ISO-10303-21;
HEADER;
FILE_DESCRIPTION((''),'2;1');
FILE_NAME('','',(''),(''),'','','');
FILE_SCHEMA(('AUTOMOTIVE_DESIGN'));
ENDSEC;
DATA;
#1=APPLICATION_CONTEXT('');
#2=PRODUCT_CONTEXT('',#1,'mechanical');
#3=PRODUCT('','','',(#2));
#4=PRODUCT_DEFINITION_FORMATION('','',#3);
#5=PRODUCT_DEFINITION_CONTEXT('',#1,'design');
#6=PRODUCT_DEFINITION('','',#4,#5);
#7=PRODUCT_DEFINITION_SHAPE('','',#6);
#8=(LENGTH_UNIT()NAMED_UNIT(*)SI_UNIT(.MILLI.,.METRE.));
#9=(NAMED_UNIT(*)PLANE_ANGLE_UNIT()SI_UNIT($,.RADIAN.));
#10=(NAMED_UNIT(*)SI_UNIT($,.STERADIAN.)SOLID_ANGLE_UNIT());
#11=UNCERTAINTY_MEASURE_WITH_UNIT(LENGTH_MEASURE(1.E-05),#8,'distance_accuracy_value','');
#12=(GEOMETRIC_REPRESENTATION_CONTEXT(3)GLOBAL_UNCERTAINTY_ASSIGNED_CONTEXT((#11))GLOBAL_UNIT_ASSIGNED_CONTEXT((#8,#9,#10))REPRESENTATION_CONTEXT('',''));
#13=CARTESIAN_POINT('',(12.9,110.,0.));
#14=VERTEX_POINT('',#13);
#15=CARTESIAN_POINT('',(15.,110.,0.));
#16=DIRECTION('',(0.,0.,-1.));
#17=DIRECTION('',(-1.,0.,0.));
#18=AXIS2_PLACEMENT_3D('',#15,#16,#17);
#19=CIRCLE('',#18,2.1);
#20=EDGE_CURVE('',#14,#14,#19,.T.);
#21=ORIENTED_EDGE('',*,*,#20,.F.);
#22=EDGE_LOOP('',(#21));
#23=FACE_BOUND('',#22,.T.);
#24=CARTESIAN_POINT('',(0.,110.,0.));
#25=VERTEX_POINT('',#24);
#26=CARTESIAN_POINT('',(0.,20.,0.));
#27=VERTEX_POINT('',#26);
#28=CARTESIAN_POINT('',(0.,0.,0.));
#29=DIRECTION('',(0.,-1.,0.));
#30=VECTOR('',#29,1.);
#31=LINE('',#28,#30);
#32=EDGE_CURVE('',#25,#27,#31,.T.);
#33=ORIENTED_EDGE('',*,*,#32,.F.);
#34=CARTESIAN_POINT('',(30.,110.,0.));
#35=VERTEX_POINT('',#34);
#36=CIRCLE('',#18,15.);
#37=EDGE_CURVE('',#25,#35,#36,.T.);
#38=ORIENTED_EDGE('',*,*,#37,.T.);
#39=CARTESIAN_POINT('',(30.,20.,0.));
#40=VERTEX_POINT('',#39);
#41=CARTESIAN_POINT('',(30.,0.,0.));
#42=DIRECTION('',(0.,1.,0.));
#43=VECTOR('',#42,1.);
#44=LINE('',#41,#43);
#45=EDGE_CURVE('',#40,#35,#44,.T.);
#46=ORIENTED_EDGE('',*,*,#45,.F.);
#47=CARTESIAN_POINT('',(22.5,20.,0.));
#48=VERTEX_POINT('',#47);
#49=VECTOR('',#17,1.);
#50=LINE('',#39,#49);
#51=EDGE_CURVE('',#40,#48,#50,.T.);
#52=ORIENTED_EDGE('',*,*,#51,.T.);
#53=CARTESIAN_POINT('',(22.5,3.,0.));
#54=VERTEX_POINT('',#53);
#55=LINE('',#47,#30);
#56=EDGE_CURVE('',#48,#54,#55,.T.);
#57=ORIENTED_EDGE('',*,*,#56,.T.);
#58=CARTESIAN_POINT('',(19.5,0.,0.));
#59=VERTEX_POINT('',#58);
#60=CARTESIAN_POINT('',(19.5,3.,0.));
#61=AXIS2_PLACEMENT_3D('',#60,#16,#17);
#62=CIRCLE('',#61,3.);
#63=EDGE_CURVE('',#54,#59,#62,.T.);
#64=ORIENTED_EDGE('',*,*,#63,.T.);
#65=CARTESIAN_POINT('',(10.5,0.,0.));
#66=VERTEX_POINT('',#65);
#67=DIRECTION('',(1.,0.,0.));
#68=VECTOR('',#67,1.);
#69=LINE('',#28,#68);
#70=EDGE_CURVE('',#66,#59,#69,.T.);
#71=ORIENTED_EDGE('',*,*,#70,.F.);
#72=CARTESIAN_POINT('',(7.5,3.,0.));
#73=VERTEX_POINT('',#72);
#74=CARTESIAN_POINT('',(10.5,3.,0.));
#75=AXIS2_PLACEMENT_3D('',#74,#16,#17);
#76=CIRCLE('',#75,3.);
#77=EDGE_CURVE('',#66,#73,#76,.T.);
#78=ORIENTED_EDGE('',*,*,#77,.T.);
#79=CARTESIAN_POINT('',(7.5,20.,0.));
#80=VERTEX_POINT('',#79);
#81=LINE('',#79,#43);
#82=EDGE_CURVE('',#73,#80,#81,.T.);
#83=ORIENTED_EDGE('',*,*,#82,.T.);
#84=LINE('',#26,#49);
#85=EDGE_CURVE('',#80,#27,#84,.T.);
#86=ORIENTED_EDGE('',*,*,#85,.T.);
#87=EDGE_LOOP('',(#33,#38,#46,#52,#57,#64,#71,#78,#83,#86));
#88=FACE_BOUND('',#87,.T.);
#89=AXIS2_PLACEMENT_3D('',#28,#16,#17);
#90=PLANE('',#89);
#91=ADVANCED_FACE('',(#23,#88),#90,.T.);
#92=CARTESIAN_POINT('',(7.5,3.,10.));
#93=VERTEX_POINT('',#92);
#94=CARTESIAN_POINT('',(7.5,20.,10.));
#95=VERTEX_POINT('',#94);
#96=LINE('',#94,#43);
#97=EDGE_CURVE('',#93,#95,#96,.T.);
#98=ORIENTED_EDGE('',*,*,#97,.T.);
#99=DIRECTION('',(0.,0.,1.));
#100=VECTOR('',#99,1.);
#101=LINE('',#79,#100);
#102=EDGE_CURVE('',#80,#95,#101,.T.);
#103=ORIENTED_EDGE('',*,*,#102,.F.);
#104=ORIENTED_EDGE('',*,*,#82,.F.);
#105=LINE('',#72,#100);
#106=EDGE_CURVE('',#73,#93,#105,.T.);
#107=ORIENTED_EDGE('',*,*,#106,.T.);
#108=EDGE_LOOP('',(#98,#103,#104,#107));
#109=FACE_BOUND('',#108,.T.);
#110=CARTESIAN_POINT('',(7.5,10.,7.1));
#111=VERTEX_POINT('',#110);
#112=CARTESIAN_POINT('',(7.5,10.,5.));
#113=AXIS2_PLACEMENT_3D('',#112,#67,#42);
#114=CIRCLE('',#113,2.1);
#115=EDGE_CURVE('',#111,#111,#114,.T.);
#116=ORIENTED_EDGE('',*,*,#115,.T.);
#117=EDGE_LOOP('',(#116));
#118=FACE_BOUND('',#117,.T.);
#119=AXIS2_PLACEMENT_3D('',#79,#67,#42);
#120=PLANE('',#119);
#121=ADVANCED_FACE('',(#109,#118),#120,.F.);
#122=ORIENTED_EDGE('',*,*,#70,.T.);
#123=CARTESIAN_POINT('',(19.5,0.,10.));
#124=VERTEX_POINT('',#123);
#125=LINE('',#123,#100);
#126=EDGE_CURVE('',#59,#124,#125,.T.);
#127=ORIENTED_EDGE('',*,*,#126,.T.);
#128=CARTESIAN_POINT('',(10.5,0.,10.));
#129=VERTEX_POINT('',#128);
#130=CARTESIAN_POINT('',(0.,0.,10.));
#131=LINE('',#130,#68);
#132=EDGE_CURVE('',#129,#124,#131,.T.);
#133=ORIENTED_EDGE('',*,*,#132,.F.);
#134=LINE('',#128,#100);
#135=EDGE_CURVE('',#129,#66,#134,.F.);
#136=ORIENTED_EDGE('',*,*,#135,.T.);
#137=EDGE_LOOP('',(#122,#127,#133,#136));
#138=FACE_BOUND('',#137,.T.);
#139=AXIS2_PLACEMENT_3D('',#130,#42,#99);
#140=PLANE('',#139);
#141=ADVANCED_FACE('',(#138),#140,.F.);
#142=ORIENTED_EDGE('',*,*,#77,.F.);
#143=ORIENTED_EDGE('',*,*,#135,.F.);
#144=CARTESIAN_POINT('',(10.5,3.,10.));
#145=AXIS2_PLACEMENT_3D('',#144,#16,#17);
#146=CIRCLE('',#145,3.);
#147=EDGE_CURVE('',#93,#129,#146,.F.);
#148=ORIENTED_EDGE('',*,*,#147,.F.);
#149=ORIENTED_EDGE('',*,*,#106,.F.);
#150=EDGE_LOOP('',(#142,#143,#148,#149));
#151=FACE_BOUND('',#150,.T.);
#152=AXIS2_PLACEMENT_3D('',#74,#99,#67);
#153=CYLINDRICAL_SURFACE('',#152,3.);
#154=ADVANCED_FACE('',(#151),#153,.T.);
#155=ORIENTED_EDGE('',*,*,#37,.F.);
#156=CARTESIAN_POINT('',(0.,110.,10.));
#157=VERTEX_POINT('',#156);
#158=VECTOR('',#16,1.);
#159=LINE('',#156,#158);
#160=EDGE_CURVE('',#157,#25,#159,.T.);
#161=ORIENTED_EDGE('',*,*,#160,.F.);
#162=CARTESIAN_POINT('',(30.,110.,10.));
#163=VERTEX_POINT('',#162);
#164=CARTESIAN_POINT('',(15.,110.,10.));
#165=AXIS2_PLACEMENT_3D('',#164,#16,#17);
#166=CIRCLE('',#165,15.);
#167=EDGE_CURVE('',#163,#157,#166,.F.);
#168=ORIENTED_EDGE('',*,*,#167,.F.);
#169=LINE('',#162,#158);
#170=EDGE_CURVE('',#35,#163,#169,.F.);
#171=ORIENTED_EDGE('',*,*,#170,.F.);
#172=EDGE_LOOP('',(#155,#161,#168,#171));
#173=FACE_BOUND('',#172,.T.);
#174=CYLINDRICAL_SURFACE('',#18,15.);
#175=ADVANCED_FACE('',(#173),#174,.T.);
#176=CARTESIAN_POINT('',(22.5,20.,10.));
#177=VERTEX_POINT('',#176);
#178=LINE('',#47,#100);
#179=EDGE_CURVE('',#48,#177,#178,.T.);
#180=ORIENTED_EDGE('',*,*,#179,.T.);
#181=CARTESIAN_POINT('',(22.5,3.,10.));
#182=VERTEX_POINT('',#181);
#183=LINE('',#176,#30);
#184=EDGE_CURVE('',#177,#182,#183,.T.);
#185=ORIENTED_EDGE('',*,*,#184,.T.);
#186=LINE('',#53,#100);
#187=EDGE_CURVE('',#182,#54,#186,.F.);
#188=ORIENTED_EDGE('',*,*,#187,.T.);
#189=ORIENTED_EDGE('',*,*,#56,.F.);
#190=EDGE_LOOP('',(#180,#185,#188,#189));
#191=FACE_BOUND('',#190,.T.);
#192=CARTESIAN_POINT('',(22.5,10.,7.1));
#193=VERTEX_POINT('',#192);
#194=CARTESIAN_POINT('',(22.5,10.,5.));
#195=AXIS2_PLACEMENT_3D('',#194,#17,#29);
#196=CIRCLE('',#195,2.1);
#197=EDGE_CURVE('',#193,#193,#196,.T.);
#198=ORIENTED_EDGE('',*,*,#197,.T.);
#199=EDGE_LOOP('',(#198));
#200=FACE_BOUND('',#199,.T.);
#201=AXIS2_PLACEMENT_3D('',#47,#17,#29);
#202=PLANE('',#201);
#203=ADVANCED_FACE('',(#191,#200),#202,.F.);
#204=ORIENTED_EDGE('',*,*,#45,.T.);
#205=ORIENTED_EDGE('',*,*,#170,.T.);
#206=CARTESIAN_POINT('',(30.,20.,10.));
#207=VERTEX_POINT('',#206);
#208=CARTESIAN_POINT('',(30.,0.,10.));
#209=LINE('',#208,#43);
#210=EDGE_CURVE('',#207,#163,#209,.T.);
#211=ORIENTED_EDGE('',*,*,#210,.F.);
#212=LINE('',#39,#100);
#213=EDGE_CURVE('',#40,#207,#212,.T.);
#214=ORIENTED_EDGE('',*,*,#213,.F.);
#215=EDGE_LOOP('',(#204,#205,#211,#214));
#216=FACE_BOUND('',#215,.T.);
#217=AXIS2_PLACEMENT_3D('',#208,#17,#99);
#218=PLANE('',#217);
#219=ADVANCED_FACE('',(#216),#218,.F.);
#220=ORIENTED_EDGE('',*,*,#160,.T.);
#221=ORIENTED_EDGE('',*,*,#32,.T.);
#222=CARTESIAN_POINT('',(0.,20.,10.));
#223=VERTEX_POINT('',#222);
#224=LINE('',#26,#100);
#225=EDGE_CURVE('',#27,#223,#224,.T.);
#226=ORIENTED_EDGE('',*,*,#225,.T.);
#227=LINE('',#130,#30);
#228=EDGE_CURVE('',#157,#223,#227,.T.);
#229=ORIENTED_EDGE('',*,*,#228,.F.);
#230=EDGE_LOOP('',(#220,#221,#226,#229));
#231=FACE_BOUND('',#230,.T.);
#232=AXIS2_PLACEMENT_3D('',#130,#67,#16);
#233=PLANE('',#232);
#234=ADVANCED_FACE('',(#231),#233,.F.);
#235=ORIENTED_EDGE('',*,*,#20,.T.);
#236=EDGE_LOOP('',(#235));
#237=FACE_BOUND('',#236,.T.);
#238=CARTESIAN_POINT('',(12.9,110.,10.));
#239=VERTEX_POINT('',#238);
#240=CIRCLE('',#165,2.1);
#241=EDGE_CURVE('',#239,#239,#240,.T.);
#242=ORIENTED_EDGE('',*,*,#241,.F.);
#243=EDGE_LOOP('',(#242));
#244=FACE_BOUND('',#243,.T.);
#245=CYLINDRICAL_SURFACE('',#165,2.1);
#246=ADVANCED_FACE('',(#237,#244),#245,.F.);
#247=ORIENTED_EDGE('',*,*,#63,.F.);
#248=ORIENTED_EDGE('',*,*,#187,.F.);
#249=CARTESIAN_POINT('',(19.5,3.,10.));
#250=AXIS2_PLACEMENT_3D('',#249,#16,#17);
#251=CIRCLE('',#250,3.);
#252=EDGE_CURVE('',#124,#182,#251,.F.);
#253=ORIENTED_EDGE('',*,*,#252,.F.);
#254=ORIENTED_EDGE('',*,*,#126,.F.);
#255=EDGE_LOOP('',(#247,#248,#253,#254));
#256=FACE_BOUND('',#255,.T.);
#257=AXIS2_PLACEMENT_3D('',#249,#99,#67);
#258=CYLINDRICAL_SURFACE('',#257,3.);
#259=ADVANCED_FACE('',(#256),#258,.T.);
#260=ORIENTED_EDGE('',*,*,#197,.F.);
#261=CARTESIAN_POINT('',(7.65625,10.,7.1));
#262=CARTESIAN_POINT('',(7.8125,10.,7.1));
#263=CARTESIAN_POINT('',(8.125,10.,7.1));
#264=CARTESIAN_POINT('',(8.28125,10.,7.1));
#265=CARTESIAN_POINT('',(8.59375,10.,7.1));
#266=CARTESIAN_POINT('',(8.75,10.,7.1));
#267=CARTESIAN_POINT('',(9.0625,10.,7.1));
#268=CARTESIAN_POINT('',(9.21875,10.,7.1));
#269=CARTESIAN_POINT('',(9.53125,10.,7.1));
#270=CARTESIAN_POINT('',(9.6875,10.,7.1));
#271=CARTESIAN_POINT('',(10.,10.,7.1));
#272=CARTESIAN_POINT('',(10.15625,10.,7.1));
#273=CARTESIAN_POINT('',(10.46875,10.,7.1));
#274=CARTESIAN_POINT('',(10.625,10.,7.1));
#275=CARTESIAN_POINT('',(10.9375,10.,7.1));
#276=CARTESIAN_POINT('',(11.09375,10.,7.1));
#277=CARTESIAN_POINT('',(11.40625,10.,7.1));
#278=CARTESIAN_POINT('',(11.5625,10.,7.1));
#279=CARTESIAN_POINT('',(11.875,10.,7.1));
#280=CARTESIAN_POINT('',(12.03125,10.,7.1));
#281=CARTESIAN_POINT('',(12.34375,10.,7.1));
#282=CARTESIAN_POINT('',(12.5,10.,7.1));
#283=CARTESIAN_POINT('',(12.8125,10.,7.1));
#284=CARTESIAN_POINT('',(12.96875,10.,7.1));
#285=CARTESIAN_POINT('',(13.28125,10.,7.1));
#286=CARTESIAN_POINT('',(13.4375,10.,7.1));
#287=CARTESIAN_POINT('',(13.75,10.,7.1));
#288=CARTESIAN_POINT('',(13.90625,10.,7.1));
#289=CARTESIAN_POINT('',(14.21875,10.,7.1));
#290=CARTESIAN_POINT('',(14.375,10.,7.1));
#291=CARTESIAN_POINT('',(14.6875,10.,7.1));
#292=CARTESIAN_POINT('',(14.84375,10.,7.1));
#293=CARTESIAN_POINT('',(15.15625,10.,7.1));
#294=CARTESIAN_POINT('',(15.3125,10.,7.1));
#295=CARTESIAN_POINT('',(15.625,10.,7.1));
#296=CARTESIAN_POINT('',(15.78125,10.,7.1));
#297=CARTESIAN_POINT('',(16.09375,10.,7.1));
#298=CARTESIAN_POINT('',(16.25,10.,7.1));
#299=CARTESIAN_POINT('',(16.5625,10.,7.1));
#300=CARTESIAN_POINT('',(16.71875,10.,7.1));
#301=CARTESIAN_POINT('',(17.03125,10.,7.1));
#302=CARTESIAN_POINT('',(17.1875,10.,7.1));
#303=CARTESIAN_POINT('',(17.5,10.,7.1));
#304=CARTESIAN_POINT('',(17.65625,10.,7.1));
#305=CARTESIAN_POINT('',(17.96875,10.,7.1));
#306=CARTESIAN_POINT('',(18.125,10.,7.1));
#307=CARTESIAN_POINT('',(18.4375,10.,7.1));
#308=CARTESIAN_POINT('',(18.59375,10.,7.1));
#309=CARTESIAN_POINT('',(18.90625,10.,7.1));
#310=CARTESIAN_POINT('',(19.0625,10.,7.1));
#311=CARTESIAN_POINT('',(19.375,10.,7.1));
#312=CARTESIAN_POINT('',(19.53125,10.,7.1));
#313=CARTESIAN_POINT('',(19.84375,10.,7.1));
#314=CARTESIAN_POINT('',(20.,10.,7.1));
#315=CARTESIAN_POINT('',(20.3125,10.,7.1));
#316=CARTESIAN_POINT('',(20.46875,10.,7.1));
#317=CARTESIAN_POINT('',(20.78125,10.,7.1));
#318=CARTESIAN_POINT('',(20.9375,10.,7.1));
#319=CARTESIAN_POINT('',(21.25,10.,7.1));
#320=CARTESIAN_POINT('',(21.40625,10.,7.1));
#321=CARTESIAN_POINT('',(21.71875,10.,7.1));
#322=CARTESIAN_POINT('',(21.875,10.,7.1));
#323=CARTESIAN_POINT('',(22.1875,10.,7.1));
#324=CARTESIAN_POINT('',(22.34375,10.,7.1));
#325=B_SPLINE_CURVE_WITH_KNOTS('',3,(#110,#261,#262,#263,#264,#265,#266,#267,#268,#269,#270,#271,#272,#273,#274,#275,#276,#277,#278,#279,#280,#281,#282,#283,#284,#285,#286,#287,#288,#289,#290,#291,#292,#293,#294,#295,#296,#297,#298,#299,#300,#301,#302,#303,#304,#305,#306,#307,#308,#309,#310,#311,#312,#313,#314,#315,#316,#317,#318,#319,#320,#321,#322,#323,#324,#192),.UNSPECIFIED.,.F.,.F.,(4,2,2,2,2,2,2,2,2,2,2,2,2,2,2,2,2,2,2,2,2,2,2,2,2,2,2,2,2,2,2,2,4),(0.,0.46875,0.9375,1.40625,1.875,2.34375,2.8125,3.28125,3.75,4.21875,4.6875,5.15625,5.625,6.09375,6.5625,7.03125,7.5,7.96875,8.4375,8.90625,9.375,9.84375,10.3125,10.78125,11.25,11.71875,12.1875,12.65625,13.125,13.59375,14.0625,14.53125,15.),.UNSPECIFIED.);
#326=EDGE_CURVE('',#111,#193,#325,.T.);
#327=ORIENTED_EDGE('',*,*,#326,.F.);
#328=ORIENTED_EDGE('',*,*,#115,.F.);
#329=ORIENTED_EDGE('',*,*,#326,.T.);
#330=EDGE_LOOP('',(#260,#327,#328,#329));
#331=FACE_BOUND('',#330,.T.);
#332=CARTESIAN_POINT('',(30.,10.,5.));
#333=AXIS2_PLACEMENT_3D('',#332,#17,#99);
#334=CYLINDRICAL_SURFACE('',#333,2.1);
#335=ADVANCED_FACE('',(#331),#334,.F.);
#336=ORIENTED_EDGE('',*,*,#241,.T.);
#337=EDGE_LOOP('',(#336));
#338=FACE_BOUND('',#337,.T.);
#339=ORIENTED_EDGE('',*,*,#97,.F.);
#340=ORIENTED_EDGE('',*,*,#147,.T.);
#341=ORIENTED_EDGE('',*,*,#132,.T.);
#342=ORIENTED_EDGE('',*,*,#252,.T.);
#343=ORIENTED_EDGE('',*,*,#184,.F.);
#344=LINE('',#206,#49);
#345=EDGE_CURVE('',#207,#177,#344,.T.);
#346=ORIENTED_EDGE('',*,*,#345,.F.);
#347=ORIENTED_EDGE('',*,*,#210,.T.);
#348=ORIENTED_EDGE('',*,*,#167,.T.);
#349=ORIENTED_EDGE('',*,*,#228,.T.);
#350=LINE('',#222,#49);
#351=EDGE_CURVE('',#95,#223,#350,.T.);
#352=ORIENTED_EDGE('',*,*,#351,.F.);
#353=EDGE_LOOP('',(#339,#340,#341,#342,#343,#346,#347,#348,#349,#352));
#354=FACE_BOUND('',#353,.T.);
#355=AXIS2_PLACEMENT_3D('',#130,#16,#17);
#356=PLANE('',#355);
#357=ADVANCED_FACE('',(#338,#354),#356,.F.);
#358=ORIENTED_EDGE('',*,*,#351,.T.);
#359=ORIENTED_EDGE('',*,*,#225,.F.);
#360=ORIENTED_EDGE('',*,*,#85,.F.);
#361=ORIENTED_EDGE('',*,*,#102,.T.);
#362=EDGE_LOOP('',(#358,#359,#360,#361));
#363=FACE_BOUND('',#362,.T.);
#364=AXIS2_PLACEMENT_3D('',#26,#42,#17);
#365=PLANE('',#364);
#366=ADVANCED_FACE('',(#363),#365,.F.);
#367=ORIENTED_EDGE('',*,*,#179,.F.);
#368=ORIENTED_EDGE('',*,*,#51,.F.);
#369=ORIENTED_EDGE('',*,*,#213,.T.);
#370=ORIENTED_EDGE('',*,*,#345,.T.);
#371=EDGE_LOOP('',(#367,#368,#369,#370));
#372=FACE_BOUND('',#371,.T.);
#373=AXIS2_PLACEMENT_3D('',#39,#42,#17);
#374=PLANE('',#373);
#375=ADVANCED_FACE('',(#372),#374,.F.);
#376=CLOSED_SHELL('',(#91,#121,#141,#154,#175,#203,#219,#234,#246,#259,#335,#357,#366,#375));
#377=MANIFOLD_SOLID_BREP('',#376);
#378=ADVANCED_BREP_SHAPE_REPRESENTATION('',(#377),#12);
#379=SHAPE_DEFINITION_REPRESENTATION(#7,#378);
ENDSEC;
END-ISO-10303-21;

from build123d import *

# Parameters (mm, degrees)
SKETCH_1_W          = 30
SKETCH_1_H          = 125
EXTRUDE_1_DEPTH     = 10
SKETCH_2_W          = 7.5
SKETCH_2_H          = 20
CUT_EXTRUDE_1_DEPTH = 10
FILLET_1_R          = 3
SKETCH_3_R          = 2.1
CUT_EXTRUDE_2_DEPTH = 129.937969582
FILLET_2_RADIUS     = 15
FILLET_2_LENGTH     = 10
SKETCH_4_R          = 2.1
CUT_EXTRUDE_3_DEPTH = 129.937969582


with BuildPart() as part:
    # 草图1 → 凸台-拉伸1 (new body)
    with BuildSketch(Plane.XY):
        with Locations((15, 62.5)):
            Rectangle(SKETCH_1_W, SKETCH_1_H)
    extrude(amount=EXTRUDE_1_DEPTH)

    # 草图2 → 切除-拉伸1 (cut)
    with BuildSketch(Plane.XY.offset(10)):
        with Locations((3.75, 10)):
            Rectangle(SKETCH_2_W, SKETCH_2_H)
        with Locations((26.25, 10)):
            Rectangle(SKETCH_2_W, SKETCH_2_H)
    extrude(amount=-CUT_EXTRUDE_1_DEPTH, mode=Mode.SUBTRACT)

    # 圆角1
    fillet_1_edges = [part.edges().sort_by_distance(p)[0] for p in [
        (7.5, 0, 5),
        (22.5, 0, 5),
    ]]
    fillet(fillet_1_edges, radius=FILLET_1_R)

    # 草图3 → 切除-拉伸2 (cut, through all)
    with BuildSketch(Plane.ZY):
        with Locations((5, 10)):
            Circle(SKETCH_3_R)
    extrude(amount=-CUT_EXTRUDE_2_DEPTH, mode=Mode.SUBTRACT)

    # 圆角2: full round fillet: the end face becomes a half cylinder, R = half its width
    fillet_2_face = Plane((15, 125, 5), x_dir=(0, 0, 1), z_dir=(0, 1, 0))  # on the end face: x along it, z out of the body
    fillet_2_slab = fillet_2_face.offset(-FILLET_2_RADIUS / 2) * Box(FILLET_2_LENGTH, 2 * FILLET_2_RADIUS, FILLET_2_RADIUS, mode=Mode.PRIVATE)  # the body's end, R deep
    fillet_2_round = Plane((15, 110, 5), x_dir=(0, 1, 0), z_dir=(0, 0, 1)) * Cylinder(FILLET_2_RADIUS, FILLET_2_LENGTH, mode=Mode.PRIVATE)  # its axis R under the face
    add(fillet_2_slab - fillet_2_round, mode=Mode.SUBTRACT)

    # 草图4 → 切除-拉伸3 (cut, through all)
    with BuildSketch(Plane(origin=(0, 0, 0), x_dir=(-1, 0, 0), z_dir=(0, 0, -1))):
        with Locations((-15, 110)):
            Circle(SKETCH_4_R)
    extrude(amount=-CUT_EXTRUDE_3_DEPTH, mode=Mode.SUBTRACT)


solid = part.part
